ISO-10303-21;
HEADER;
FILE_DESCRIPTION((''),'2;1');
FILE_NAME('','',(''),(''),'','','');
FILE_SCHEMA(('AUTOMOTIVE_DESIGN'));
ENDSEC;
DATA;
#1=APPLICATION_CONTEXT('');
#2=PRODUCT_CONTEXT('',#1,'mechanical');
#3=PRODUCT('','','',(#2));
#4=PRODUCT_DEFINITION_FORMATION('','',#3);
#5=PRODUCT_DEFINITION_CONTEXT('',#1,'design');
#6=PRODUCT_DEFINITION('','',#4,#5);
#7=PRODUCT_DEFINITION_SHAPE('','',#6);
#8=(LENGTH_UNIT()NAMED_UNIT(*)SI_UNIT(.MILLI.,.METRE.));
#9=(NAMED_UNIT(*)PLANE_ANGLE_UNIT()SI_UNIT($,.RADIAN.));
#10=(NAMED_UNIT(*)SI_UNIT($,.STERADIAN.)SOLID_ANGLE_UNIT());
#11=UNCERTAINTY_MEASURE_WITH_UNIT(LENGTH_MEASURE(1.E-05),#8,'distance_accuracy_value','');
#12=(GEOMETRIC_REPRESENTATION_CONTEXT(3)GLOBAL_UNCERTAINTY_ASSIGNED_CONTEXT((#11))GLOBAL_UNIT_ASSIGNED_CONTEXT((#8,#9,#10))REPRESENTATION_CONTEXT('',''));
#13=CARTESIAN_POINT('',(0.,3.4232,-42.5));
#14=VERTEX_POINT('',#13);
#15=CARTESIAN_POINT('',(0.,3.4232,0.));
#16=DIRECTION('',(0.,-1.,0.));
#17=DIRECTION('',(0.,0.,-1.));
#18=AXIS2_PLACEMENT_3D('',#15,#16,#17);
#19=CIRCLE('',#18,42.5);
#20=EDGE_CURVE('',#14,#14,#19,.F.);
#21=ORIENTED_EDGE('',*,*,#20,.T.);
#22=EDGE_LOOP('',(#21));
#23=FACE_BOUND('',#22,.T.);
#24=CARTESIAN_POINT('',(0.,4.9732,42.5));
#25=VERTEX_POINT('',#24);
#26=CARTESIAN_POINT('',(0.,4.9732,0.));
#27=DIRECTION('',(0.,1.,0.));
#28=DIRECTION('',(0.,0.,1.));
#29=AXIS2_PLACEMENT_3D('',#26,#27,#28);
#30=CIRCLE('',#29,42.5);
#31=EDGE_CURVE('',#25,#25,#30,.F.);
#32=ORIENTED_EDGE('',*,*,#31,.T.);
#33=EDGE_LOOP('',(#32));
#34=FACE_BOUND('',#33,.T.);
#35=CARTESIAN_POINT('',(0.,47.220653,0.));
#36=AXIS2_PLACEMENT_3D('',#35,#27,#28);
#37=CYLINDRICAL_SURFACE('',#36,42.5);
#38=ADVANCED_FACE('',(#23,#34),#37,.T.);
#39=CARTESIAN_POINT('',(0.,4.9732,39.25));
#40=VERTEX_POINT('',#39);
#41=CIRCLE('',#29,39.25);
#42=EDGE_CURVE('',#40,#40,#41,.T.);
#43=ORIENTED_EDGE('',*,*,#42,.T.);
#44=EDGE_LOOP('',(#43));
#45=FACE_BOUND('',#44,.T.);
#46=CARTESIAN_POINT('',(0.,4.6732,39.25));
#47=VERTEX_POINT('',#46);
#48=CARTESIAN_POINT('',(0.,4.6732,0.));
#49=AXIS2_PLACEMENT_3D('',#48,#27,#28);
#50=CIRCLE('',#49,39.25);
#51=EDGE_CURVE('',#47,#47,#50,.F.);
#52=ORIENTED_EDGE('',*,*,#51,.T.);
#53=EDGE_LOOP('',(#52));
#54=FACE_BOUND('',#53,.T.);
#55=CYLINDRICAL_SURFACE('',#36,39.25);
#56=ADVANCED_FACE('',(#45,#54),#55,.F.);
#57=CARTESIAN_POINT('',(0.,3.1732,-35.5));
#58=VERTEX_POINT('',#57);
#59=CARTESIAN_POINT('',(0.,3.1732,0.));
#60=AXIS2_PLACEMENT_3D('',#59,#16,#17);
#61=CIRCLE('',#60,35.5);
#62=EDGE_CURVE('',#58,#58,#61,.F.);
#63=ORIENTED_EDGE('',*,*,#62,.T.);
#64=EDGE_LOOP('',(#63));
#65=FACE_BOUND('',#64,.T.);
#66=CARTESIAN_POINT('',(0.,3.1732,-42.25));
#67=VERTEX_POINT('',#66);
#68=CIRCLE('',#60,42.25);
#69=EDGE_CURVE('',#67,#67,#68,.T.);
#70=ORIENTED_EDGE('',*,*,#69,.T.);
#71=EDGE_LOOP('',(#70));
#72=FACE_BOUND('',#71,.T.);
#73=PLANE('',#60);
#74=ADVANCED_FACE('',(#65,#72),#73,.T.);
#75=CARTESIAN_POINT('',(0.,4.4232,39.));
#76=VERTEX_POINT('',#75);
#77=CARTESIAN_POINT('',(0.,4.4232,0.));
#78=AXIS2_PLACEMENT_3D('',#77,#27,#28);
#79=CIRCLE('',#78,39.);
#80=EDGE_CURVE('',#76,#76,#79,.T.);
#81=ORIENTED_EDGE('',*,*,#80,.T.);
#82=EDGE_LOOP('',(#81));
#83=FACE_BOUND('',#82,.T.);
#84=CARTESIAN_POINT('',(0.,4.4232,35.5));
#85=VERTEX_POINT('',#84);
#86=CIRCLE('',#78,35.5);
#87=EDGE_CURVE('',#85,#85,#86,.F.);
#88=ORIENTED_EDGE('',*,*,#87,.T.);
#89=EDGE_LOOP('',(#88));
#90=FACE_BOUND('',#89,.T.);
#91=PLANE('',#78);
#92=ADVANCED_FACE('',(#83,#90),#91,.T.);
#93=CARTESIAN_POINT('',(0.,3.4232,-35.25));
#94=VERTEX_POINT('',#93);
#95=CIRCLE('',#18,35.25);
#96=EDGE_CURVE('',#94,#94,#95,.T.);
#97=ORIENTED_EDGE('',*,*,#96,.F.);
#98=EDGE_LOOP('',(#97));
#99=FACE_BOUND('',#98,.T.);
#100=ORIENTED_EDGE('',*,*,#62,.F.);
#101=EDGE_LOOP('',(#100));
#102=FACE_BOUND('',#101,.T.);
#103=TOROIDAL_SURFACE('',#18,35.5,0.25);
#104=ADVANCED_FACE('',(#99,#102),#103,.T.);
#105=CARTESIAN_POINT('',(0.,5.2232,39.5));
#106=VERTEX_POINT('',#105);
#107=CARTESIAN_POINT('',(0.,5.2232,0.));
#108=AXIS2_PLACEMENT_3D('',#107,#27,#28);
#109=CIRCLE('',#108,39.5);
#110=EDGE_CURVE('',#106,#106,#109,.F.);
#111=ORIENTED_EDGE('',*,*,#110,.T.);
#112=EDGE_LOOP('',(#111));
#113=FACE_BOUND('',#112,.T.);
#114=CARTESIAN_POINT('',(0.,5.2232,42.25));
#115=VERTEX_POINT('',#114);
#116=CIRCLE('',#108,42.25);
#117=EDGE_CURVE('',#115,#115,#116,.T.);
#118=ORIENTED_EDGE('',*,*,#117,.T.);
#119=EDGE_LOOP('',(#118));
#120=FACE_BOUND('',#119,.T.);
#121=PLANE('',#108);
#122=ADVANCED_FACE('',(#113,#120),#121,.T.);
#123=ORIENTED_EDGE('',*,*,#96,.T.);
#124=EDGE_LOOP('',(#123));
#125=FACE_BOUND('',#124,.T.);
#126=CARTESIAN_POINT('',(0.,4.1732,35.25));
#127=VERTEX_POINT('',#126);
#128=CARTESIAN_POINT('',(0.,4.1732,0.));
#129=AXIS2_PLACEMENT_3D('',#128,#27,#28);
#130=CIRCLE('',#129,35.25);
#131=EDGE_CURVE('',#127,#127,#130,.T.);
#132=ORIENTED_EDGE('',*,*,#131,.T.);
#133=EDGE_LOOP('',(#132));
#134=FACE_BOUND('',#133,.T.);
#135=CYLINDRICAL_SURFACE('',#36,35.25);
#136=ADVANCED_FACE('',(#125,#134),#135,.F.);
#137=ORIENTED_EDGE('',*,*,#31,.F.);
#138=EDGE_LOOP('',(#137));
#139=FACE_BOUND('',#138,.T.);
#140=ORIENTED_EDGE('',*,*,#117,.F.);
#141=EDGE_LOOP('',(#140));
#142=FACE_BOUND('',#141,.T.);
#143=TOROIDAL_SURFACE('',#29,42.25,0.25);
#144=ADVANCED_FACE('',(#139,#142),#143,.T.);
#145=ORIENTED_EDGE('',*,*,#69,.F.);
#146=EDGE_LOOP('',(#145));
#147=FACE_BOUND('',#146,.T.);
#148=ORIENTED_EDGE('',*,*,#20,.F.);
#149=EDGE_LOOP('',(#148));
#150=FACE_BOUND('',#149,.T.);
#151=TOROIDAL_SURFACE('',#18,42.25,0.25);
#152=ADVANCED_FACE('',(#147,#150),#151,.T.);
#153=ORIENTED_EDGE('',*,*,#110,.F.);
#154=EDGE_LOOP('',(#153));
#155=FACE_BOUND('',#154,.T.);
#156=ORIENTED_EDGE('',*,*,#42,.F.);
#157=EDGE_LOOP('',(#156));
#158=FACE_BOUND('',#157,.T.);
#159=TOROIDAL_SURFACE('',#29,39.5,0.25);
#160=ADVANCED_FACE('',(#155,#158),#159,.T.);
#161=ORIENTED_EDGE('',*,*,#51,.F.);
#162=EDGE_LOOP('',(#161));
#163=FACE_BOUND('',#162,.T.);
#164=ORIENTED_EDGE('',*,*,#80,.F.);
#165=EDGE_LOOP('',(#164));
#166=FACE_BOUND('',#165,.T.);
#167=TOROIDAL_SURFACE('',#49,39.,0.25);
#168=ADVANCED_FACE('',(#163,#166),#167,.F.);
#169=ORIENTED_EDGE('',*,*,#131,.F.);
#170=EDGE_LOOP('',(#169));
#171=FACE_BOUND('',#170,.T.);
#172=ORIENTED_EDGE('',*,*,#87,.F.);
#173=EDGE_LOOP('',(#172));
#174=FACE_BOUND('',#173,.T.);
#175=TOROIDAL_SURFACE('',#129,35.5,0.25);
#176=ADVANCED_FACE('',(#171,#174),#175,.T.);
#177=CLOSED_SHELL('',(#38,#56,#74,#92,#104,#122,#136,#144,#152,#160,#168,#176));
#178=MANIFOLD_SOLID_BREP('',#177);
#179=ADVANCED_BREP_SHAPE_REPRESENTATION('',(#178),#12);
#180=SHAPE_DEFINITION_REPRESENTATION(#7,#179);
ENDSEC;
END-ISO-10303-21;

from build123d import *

# Parameters (mm, degrees)
FILETE1_R = 0.25


with BuildPart() as part:
    # Esboço1 → Revolução1 (revolve)
    with BuildSketch(Plane.XY):
        Polygon((35.25, 4.423200443), (35.25, 3.173200443), (42.5, 3.173200443), (42.5, 5.223200443), (39.25, 5.223200443), (39.25, 4.423200443), align=None)
    revolve(axis=Axis((0, 47.220653378, 0), (0, -1, 0)))

    # Filete1
    filete1_edges = [part.edges().sort_by_distance(p)[0] for p in [
        (-42.5, 3.173200443, 0),
        (-42.5, 5.223200443, 0),
        (-39.25, 5.223200443, 0),
        (-39.25, 4.423200443, 0),
        (-35.25, 4.423200443, 0),
        (-35.25, 3.173200443, 0),
    ]]
    fillet(filete1_edges, radius=FILETE1_R)


solid = part.part
